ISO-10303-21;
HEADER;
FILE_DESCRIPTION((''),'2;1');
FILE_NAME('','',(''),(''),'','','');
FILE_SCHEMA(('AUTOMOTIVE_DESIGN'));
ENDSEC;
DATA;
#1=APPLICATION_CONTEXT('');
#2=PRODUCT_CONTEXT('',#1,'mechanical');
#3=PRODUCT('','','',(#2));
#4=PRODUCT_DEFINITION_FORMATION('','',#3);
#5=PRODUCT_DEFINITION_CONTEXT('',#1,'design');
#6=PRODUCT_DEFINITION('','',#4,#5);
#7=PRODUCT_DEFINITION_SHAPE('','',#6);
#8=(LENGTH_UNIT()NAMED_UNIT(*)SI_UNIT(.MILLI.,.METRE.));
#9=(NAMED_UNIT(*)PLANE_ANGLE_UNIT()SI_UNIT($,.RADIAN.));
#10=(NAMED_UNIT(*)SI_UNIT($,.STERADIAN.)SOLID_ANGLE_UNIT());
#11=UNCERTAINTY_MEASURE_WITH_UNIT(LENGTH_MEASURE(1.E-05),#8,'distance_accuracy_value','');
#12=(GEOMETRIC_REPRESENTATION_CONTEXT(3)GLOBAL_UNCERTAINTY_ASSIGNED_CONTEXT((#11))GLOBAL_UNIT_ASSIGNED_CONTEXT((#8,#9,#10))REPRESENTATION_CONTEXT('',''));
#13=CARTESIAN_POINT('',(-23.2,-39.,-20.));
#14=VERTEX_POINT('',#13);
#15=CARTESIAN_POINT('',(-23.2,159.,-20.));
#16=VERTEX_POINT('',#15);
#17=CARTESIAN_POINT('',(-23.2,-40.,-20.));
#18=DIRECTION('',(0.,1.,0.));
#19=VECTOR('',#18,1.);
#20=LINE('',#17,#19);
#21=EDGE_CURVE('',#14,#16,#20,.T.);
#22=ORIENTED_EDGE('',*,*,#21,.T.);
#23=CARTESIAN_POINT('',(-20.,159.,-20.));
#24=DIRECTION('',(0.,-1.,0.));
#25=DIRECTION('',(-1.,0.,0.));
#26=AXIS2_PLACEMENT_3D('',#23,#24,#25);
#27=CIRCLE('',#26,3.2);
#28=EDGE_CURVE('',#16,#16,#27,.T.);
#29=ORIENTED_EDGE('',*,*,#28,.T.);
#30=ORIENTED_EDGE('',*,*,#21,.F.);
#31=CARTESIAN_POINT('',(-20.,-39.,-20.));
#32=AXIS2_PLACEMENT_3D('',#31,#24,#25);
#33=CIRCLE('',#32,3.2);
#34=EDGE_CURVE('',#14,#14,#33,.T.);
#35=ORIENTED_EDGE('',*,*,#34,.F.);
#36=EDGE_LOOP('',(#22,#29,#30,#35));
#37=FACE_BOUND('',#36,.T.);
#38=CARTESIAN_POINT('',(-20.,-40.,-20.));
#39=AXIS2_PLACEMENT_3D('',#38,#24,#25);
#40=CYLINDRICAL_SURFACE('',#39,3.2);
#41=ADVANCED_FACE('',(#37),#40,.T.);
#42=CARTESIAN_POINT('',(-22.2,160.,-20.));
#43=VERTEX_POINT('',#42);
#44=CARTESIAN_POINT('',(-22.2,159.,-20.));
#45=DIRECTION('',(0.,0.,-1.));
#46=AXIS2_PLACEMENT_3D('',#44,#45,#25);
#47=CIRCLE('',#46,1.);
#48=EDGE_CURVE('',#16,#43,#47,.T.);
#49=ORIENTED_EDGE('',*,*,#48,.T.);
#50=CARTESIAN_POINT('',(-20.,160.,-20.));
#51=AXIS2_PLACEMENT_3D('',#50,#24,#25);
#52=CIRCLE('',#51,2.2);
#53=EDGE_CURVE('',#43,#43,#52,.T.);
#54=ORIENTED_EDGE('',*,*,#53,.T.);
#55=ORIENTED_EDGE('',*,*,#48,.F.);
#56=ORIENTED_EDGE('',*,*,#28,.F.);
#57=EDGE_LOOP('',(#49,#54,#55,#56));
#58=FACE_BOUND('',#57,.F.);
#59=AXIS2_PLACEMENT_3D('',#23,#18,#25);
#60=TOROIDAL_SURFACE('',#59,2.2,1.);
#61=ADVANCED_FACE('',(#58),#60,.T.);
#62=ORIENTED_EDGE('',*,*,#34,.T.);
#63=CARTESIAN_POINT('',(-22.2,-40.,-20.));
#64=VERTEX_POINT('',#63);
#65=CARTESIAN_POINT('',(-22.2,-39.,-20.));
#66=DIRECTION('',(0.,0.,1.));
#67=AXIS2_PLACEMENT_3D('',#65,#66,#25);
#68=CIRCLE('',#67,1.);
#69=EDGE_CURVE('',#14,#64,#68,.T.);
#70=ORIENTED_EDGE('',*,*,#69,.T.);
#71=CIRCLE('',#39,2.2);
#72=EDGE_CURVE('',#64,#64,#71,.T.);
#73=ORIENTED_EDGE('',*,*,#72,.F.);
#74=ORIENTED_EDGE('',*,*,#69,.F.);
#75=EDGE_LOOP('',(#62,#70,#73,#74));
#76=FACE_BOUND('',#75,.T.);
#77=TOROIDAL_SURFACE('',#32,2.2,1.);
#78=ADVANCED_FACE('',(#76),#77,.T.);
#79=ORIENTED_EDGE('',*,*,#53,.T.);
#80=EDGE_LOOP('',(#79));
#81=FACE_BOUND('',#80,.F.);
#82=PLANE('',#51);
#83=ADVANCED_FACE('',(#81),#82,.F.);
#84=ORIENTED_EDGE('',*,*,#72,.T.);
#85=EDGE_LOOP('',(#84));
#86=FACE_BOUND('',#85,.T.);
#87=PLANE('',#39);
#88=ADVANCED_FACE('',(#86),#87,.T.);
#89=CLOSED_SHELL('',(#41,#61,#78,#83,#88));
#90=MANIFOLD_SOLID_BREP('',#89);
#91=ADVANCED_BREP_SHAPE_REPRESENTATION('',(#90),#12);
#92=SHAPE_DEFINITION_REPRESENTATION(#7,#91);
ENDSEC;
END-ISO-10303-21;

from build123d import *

# Parameters (mm, degrees)
SKETCH002_R              = 3.2
PAD001_DEPTH             = 200
FILLET_R                 = 1
FILLET001_R              = 1
CLONE001_PLACEMENT_ANGLE = 90
CLONE002_PLACEMENT_ANGLE = 90


with BuildPart() as part:
    # Sketch002 (on DatumPlane) → Pad001 (new body)
    with BuildSketch(Plane(origin=(0, -40, 70), x_dir=(1, 0, 0), z_dir=(0, -1, 0))):
        with Locations((20, -50)):
            Circle(SKETCH002_R)
    extrude(amount=-PAD001_DEPTH)

    # Fillet
    fillet_edges = [part.edges().sort_by_distance(p)[0] for p in [
        (16.8, -40, 20),
    ]]
    fillet(fillet_edges, radius=FILLET_R)

    # Fillet001
    fillet001_edges = [part.edges().sort_by_distance(p)[0] for p in [
        (16.8, 160, 20),
    ]]
    fillet(fillet001_edges, radius=FILLET001_R)


with BuildPart() as part_1:
    # Clone001 placement: moved
    add(part.part.rotate(Axis((0, 0, 0), (0, 1, 0)), CLONE001_PLACEMENT_ANGLE))


with BuildPart() as part_2:
    # Clone002 placement: moved
    add(part_1.part.rotate(Axis((0, 0, 0), (0, 1, 0)), CLONE002_PLACEMENT_ANGLE))


solid = part_2.part
